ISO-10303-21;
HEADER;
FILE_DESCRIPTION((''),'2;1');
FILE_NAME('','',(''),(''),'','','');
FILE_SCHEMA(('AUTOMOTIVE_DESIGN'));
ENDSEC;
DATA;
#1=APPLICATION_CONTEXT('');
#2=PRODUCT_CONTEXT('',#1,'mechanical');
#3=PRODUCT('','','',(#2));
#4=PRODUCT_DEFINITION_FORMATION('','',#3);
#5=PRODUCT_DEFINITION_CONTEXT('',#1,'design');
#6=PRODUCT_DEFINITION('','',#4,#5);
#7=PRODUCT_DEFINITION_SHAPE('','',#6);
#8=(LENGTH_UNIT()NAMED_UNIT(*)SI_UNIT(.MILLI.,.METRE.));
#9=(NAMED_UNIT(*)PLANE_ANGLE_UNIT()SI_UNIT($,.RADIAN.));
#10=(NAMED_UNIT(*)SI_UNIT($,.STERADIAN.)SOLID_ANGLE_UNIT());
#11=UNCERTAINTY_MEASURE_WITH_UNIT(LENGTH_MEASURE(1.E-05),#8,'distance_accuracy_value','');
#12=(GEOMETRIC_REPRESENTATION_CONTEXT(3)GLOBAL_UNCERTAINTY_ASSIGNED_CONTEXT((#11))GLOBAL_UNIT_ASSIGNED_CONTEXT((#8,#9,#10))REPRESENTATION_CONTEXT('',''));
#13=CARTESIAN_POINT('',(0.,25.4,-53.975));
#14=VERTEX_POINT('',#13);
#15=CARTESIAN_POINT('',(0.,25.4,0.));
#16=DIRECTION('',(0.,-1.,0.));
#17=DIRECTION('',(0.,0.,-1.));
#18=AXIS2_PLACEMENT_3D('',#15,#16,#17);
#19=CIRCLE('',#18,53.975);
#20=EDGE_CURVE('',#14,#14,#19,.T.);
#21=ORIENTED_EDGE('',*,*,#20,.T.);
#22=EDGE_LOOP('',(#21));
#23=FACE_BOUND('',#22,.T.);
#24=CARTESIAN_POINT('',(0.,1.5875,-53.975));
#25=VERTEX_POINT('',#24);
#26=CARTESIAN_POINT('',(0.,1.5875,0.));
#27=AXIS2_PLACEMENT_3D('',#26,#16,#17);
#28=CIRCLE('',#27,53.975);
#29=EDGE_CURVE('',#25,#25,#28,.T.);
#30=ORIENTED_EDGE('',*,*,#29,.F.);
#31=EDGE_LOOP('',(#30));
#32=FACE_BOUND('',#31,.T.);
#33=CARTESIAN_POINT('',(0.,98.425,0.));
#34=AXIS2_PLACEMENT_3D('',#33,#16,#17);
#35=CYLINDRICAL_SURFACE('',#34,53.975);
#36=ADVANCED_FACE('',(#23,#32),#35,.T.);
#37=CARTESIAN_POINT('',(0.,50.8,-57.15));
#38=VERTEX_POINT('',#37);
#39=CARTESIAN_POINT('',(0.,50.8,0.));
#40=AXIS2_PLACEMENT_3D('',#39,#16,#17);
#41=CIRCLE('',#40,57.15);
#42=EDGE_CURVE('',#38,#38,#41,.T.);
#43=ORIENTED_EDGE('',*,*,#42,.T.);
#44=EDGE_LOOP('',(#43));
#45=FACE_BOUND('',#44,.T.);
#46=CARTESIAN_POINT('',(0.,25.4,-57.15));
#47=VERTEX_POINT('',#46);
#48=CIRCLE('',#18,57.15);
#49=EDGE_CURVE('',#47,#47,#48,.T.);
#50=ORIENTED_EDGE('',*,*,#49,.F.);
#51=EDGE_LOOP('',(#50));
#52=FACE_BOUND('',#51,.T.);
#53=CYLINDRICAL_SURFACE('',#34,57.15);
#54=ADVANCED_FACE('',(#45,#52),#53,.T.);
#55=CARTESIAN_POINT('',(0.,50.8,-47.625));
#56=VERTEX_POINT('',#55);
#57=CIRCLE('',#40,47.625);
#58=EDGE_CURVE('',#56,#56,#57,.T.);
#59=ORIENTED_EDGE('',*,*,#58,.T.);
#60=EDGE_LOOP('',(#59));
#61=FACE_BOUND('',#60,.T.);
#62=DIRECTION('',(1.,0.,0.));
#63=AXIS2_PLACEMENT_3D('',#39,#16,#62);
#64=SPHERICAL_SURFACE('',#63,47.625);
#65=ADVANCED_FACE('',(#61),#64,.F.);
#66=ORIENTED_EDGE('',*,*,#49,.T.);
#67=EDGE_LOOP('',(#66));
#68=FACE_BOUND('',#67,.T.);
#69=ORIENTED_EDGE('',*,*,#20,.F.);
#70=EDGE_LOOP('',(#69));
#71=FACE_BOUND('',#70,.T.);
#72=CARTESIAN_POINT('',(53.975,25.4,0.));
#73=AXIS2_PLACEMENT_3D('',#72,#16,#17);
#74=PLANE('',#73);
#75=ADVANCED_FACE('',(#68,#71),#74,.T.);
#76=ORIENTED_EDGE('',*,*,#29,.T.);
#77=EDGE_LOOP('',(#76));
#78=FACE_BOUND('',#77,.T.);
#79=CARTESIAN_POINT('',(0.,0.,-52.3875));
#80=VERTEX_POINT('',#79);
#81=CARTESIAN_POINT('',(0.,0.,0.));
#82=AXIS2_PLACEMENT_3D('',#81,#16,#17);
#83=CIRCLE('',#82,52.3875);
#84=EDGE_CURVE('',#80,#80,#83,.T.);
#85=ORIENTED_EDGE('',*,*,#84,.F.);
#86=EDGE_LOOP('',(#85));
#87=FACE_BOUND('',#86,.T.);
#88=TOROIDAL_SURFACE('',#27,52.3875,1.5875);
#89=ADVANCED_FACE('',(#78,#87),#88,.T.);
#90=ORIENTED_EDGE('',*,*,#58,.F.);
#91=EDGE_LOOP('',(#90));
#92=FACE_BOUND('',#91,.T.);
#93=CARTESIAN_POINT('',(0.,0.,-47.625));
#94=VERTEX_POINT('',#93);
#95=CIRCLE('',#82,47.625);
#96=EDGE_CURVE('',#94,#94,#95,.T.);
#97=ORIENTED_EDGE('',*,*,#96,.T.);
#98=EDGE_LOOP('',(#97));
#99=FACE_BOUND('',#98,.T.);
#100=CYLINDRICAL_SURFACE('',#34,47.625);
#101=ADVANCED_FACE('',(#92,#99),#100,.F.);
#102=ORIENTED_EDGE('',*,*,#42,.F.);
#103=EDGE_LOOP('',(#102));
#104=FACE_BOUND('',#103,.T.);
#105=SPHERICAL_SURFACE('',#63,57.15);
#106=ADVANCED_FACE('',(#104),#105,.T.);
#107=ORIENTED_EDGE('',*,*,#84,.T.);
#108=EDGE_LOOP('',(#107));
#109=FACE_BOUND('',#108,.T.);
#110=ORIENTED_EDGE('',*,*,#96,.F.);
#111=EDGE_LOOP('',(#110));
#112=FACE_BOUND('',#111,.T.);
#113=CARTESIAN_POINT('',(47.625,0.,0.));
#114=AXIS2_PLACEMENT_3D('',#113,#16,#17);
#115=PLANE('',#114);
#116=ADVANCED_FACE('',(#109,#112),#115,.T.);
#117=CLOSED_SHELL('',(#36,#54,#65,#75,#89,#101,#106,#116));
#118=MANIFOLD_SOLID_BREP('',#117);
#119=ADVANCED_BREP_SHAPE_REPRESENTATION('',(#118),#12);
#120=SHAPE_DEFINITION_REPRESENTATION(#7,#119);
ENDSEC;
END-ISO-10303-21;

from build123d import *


with BuildPart() as part:
    # Sketch2 → Revolve1 (revolve)
    with BuildSketch(Plane.XY):
        with BuildLine():
            Line((47.625, 0), (52.3875, 0))
            ThreePointArc((52.3875, 0), (53.510032015, 0.464967985), (53.975, 1.5875))
            Line((53.975, 1.5875), (53.975, 25.4))
            Line((53.975, 25.4), (57.15, 25.4))
            Line((57.15, 25.4), (57.15, 50.8))
            ThreePointArc((57.15, 50.8), (40.411152545, 91.211152545), (0, 107.95))
            Line((0, 107.95), (0, 98.425))
            ThreePointArc((0, 98.425), (33.675960454, 84.475960454), (47.625, 50.8))
            Line((47.625, 50.8), (47.625, 0))
        make_face()
    revolve(axis=Axis((0, 98.425, 0), (0, 1, 0)))


solid = part.part
